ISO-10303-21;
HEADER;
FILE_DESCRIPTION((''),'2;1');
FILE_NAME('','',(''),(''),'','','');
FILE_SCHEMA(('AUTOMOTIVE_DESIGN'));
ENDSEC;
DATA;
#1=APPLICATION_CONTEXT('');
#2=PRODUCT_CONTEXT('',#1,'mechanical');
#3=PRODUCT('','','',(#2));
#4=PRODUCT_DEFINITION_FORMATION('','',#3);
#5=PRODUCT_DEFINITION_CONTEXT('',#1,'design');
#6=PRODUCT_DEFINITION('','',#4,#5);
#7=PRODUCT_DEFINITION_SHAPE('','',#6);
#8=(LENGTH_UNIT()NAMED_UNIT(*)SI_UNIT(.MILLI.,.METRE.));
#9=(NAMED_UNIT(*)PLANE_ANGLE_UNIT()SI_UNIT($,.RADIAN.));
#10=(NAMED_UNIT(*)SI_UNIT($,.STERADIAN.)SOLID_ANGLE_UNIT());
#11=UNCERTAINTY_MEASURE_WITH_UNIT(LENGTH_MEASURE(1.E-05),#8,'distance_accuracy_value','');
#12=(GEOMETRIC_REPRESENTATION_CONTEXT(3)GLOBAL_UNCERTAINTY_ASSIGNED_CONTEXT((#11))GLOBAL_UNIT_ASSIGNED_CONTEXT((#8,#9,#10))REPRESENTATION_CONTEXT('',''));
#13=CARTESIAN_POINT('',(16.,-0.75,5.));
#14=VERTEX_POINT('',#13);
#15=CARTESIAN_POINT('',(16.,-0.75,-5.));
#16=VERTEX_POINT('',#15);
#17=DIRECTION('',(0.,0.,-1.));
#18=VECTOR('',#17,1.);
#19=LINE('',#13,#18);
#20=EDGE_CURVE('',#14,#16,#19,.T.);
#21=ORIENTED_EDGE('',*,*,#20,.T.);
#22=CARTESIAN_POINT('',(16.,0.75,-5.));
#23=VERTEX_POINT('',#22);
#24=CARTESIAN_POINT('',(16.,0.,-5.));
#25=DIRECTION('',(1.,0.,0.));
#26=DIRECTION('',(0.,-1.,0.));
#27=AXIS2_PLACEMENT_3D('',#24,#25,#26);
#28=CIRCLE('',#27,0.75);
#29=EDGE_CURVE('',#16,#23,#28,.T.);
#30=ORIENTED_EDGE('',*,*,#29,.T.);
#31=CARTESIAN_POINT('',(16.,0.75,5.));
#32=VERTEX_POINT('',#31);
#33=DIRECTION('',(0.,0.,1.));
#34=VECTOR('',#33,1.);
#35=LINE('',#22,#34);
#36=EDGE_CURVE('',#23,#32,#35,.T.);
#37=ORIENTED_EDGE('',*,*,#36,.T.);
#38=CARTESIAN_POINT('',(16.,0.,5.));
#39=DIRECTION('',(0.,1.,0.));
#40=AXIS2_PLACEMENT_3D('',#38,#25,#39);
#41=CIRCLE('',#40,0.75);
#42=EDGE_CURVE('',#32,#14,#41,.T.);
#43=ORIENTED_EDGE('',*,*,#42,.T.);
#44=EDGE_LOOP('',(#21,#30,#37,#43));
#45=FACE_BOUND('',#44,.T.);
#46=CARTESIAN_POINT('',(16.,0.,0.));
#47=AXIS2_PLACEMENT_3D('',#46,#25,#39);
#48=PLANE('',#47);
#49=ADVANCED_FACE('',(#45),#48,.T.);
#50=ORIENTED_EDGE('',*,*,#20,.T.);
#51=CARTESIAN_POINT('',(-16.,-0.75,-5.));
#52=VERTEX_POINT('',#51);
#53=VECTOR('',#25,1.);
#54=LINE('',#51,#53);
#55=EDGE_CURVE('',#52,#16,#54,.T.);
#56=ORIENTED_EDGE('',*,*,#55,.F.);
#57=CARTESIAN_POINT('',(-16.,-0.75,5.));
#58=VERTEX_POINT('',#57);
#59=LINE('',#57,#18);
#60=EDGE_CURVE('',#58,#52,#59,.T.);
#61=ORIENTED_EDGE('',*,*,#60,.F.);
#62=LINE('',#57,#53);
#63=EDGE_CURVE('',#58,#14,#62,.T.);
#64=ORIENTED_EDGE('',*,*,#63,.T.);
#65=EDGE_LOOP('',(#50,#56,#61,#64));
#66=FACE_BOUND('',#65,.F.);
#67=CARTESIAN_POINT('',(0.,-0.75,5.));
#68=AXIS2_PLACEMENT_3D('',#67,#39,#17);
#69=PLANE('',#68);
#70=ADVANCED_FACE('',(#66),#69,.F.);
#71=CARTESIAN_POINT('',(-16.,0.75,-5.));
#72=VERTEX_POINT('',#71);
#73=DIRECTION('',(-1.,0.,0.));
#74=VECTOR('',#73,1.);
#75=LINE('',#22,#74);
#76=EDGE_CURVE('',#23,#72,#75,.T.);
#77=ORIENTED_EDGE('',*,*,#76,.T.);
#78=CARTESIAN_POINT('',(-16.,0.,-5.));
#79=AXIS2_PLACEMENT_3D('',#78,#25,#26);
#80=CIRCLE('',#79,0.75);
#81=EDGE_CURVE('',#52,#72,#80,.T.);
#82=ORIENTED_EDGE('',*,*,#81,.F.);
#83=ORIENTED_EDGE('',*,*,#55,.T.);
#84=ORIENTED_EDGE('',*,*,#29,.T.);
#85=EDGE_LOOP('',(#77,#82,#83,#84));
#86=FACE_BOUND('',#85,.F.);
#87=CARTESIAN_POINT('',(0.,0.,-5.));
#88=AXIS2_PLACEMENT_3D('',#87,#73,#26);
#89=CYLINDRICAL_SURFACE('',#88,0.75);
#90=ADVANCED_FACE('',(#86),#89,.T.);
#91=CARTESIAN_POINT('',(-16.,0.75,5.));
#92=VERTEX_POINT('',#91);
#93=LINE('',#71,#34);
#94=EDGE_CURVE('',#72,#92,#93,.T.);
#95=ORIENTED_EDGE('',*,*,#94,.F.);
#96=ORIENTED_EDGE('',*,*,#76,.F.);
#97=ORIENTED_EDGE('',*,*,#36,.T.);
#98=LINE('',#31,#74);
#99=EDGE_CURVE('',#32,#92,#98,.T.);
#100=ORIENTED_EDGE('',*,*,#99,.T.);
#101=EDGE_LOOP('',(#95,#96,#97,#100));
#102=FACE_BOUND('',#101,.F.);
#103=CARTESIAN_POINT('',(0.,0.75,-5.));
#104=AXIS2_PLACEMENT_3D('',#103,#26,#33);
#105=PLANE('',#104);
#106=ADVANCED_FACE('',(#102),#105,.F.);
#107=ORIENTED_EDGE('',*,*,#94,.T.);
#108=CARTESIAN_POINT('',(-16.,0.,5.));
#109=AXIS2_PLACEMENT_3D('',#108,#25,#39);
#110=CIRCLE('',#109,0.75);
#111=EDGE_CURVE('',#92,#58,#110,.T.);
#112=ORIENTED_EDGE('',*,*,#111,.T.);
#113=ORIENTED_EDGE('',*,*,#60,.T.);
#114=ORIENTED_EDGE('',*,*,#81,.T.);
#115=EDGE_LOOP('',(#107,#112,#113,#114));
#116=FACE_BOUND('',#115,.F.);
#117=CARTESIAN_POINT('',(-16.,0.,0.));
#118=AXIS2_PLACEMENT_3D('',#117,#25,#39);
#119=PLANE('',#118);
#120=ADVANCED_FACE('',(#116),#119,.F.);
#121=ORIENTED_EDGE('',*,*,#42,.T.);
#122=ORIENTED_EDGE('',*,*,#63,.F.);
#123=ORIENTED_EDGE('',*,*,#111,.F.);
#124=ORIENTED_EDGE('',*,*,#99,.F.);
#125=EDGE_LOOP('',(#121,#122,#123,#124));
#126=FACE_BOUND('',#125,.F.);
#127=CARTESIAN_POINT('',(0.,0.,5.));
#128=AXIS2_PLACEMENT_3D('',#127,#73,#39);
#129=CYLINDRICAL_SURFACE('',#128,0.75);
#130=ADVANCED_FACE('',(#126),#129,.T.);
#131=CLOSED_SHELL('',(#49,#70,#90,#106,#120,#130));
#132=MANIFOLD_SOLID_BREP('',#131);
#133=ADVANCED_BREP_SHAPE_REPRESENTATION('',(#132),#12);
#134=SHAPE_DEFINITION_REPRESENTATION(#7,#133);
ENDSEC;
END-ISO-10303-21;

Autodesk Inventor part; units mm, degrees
ref_plane "YZ Plane" through (0, 0, 0) normal (1, 0, 0) x (0, 1, 0)
ref_plane "XZ Plane" through (0, 0, 0) normal (0, 1, 0) x (-1, 0, 0)
ref_plane "XY Plane" through (0, 0, 0) normal (0, 0, 1) x (1, 0, 0)
sketch "Sketch1" plane through (0, 0, 0) normal (1, 0, 0) x (0, 1, 0)
  line L0 (0, 5) -> (0, -5) construction
  line L1 (-0.75, 5) -> (-0.75, -5)
  line L2 (0.75, -5) -> (0.75, 5)
  arc A0 (0.75, 5) -> (-0.75, 5) centre (0, 5) ccw
  arc A1 (-0.75, -5) -> (0.75, -5) centre (0, -5) ccw
  point P0 (0, 0)
  dimension "d0" = 5
  dimension "d1" = 1.5
extrude "Extrusion1" add sketch "Sketch1" along normal blind 16 and the other way blind 16
properties part number "LineupDomioS"
